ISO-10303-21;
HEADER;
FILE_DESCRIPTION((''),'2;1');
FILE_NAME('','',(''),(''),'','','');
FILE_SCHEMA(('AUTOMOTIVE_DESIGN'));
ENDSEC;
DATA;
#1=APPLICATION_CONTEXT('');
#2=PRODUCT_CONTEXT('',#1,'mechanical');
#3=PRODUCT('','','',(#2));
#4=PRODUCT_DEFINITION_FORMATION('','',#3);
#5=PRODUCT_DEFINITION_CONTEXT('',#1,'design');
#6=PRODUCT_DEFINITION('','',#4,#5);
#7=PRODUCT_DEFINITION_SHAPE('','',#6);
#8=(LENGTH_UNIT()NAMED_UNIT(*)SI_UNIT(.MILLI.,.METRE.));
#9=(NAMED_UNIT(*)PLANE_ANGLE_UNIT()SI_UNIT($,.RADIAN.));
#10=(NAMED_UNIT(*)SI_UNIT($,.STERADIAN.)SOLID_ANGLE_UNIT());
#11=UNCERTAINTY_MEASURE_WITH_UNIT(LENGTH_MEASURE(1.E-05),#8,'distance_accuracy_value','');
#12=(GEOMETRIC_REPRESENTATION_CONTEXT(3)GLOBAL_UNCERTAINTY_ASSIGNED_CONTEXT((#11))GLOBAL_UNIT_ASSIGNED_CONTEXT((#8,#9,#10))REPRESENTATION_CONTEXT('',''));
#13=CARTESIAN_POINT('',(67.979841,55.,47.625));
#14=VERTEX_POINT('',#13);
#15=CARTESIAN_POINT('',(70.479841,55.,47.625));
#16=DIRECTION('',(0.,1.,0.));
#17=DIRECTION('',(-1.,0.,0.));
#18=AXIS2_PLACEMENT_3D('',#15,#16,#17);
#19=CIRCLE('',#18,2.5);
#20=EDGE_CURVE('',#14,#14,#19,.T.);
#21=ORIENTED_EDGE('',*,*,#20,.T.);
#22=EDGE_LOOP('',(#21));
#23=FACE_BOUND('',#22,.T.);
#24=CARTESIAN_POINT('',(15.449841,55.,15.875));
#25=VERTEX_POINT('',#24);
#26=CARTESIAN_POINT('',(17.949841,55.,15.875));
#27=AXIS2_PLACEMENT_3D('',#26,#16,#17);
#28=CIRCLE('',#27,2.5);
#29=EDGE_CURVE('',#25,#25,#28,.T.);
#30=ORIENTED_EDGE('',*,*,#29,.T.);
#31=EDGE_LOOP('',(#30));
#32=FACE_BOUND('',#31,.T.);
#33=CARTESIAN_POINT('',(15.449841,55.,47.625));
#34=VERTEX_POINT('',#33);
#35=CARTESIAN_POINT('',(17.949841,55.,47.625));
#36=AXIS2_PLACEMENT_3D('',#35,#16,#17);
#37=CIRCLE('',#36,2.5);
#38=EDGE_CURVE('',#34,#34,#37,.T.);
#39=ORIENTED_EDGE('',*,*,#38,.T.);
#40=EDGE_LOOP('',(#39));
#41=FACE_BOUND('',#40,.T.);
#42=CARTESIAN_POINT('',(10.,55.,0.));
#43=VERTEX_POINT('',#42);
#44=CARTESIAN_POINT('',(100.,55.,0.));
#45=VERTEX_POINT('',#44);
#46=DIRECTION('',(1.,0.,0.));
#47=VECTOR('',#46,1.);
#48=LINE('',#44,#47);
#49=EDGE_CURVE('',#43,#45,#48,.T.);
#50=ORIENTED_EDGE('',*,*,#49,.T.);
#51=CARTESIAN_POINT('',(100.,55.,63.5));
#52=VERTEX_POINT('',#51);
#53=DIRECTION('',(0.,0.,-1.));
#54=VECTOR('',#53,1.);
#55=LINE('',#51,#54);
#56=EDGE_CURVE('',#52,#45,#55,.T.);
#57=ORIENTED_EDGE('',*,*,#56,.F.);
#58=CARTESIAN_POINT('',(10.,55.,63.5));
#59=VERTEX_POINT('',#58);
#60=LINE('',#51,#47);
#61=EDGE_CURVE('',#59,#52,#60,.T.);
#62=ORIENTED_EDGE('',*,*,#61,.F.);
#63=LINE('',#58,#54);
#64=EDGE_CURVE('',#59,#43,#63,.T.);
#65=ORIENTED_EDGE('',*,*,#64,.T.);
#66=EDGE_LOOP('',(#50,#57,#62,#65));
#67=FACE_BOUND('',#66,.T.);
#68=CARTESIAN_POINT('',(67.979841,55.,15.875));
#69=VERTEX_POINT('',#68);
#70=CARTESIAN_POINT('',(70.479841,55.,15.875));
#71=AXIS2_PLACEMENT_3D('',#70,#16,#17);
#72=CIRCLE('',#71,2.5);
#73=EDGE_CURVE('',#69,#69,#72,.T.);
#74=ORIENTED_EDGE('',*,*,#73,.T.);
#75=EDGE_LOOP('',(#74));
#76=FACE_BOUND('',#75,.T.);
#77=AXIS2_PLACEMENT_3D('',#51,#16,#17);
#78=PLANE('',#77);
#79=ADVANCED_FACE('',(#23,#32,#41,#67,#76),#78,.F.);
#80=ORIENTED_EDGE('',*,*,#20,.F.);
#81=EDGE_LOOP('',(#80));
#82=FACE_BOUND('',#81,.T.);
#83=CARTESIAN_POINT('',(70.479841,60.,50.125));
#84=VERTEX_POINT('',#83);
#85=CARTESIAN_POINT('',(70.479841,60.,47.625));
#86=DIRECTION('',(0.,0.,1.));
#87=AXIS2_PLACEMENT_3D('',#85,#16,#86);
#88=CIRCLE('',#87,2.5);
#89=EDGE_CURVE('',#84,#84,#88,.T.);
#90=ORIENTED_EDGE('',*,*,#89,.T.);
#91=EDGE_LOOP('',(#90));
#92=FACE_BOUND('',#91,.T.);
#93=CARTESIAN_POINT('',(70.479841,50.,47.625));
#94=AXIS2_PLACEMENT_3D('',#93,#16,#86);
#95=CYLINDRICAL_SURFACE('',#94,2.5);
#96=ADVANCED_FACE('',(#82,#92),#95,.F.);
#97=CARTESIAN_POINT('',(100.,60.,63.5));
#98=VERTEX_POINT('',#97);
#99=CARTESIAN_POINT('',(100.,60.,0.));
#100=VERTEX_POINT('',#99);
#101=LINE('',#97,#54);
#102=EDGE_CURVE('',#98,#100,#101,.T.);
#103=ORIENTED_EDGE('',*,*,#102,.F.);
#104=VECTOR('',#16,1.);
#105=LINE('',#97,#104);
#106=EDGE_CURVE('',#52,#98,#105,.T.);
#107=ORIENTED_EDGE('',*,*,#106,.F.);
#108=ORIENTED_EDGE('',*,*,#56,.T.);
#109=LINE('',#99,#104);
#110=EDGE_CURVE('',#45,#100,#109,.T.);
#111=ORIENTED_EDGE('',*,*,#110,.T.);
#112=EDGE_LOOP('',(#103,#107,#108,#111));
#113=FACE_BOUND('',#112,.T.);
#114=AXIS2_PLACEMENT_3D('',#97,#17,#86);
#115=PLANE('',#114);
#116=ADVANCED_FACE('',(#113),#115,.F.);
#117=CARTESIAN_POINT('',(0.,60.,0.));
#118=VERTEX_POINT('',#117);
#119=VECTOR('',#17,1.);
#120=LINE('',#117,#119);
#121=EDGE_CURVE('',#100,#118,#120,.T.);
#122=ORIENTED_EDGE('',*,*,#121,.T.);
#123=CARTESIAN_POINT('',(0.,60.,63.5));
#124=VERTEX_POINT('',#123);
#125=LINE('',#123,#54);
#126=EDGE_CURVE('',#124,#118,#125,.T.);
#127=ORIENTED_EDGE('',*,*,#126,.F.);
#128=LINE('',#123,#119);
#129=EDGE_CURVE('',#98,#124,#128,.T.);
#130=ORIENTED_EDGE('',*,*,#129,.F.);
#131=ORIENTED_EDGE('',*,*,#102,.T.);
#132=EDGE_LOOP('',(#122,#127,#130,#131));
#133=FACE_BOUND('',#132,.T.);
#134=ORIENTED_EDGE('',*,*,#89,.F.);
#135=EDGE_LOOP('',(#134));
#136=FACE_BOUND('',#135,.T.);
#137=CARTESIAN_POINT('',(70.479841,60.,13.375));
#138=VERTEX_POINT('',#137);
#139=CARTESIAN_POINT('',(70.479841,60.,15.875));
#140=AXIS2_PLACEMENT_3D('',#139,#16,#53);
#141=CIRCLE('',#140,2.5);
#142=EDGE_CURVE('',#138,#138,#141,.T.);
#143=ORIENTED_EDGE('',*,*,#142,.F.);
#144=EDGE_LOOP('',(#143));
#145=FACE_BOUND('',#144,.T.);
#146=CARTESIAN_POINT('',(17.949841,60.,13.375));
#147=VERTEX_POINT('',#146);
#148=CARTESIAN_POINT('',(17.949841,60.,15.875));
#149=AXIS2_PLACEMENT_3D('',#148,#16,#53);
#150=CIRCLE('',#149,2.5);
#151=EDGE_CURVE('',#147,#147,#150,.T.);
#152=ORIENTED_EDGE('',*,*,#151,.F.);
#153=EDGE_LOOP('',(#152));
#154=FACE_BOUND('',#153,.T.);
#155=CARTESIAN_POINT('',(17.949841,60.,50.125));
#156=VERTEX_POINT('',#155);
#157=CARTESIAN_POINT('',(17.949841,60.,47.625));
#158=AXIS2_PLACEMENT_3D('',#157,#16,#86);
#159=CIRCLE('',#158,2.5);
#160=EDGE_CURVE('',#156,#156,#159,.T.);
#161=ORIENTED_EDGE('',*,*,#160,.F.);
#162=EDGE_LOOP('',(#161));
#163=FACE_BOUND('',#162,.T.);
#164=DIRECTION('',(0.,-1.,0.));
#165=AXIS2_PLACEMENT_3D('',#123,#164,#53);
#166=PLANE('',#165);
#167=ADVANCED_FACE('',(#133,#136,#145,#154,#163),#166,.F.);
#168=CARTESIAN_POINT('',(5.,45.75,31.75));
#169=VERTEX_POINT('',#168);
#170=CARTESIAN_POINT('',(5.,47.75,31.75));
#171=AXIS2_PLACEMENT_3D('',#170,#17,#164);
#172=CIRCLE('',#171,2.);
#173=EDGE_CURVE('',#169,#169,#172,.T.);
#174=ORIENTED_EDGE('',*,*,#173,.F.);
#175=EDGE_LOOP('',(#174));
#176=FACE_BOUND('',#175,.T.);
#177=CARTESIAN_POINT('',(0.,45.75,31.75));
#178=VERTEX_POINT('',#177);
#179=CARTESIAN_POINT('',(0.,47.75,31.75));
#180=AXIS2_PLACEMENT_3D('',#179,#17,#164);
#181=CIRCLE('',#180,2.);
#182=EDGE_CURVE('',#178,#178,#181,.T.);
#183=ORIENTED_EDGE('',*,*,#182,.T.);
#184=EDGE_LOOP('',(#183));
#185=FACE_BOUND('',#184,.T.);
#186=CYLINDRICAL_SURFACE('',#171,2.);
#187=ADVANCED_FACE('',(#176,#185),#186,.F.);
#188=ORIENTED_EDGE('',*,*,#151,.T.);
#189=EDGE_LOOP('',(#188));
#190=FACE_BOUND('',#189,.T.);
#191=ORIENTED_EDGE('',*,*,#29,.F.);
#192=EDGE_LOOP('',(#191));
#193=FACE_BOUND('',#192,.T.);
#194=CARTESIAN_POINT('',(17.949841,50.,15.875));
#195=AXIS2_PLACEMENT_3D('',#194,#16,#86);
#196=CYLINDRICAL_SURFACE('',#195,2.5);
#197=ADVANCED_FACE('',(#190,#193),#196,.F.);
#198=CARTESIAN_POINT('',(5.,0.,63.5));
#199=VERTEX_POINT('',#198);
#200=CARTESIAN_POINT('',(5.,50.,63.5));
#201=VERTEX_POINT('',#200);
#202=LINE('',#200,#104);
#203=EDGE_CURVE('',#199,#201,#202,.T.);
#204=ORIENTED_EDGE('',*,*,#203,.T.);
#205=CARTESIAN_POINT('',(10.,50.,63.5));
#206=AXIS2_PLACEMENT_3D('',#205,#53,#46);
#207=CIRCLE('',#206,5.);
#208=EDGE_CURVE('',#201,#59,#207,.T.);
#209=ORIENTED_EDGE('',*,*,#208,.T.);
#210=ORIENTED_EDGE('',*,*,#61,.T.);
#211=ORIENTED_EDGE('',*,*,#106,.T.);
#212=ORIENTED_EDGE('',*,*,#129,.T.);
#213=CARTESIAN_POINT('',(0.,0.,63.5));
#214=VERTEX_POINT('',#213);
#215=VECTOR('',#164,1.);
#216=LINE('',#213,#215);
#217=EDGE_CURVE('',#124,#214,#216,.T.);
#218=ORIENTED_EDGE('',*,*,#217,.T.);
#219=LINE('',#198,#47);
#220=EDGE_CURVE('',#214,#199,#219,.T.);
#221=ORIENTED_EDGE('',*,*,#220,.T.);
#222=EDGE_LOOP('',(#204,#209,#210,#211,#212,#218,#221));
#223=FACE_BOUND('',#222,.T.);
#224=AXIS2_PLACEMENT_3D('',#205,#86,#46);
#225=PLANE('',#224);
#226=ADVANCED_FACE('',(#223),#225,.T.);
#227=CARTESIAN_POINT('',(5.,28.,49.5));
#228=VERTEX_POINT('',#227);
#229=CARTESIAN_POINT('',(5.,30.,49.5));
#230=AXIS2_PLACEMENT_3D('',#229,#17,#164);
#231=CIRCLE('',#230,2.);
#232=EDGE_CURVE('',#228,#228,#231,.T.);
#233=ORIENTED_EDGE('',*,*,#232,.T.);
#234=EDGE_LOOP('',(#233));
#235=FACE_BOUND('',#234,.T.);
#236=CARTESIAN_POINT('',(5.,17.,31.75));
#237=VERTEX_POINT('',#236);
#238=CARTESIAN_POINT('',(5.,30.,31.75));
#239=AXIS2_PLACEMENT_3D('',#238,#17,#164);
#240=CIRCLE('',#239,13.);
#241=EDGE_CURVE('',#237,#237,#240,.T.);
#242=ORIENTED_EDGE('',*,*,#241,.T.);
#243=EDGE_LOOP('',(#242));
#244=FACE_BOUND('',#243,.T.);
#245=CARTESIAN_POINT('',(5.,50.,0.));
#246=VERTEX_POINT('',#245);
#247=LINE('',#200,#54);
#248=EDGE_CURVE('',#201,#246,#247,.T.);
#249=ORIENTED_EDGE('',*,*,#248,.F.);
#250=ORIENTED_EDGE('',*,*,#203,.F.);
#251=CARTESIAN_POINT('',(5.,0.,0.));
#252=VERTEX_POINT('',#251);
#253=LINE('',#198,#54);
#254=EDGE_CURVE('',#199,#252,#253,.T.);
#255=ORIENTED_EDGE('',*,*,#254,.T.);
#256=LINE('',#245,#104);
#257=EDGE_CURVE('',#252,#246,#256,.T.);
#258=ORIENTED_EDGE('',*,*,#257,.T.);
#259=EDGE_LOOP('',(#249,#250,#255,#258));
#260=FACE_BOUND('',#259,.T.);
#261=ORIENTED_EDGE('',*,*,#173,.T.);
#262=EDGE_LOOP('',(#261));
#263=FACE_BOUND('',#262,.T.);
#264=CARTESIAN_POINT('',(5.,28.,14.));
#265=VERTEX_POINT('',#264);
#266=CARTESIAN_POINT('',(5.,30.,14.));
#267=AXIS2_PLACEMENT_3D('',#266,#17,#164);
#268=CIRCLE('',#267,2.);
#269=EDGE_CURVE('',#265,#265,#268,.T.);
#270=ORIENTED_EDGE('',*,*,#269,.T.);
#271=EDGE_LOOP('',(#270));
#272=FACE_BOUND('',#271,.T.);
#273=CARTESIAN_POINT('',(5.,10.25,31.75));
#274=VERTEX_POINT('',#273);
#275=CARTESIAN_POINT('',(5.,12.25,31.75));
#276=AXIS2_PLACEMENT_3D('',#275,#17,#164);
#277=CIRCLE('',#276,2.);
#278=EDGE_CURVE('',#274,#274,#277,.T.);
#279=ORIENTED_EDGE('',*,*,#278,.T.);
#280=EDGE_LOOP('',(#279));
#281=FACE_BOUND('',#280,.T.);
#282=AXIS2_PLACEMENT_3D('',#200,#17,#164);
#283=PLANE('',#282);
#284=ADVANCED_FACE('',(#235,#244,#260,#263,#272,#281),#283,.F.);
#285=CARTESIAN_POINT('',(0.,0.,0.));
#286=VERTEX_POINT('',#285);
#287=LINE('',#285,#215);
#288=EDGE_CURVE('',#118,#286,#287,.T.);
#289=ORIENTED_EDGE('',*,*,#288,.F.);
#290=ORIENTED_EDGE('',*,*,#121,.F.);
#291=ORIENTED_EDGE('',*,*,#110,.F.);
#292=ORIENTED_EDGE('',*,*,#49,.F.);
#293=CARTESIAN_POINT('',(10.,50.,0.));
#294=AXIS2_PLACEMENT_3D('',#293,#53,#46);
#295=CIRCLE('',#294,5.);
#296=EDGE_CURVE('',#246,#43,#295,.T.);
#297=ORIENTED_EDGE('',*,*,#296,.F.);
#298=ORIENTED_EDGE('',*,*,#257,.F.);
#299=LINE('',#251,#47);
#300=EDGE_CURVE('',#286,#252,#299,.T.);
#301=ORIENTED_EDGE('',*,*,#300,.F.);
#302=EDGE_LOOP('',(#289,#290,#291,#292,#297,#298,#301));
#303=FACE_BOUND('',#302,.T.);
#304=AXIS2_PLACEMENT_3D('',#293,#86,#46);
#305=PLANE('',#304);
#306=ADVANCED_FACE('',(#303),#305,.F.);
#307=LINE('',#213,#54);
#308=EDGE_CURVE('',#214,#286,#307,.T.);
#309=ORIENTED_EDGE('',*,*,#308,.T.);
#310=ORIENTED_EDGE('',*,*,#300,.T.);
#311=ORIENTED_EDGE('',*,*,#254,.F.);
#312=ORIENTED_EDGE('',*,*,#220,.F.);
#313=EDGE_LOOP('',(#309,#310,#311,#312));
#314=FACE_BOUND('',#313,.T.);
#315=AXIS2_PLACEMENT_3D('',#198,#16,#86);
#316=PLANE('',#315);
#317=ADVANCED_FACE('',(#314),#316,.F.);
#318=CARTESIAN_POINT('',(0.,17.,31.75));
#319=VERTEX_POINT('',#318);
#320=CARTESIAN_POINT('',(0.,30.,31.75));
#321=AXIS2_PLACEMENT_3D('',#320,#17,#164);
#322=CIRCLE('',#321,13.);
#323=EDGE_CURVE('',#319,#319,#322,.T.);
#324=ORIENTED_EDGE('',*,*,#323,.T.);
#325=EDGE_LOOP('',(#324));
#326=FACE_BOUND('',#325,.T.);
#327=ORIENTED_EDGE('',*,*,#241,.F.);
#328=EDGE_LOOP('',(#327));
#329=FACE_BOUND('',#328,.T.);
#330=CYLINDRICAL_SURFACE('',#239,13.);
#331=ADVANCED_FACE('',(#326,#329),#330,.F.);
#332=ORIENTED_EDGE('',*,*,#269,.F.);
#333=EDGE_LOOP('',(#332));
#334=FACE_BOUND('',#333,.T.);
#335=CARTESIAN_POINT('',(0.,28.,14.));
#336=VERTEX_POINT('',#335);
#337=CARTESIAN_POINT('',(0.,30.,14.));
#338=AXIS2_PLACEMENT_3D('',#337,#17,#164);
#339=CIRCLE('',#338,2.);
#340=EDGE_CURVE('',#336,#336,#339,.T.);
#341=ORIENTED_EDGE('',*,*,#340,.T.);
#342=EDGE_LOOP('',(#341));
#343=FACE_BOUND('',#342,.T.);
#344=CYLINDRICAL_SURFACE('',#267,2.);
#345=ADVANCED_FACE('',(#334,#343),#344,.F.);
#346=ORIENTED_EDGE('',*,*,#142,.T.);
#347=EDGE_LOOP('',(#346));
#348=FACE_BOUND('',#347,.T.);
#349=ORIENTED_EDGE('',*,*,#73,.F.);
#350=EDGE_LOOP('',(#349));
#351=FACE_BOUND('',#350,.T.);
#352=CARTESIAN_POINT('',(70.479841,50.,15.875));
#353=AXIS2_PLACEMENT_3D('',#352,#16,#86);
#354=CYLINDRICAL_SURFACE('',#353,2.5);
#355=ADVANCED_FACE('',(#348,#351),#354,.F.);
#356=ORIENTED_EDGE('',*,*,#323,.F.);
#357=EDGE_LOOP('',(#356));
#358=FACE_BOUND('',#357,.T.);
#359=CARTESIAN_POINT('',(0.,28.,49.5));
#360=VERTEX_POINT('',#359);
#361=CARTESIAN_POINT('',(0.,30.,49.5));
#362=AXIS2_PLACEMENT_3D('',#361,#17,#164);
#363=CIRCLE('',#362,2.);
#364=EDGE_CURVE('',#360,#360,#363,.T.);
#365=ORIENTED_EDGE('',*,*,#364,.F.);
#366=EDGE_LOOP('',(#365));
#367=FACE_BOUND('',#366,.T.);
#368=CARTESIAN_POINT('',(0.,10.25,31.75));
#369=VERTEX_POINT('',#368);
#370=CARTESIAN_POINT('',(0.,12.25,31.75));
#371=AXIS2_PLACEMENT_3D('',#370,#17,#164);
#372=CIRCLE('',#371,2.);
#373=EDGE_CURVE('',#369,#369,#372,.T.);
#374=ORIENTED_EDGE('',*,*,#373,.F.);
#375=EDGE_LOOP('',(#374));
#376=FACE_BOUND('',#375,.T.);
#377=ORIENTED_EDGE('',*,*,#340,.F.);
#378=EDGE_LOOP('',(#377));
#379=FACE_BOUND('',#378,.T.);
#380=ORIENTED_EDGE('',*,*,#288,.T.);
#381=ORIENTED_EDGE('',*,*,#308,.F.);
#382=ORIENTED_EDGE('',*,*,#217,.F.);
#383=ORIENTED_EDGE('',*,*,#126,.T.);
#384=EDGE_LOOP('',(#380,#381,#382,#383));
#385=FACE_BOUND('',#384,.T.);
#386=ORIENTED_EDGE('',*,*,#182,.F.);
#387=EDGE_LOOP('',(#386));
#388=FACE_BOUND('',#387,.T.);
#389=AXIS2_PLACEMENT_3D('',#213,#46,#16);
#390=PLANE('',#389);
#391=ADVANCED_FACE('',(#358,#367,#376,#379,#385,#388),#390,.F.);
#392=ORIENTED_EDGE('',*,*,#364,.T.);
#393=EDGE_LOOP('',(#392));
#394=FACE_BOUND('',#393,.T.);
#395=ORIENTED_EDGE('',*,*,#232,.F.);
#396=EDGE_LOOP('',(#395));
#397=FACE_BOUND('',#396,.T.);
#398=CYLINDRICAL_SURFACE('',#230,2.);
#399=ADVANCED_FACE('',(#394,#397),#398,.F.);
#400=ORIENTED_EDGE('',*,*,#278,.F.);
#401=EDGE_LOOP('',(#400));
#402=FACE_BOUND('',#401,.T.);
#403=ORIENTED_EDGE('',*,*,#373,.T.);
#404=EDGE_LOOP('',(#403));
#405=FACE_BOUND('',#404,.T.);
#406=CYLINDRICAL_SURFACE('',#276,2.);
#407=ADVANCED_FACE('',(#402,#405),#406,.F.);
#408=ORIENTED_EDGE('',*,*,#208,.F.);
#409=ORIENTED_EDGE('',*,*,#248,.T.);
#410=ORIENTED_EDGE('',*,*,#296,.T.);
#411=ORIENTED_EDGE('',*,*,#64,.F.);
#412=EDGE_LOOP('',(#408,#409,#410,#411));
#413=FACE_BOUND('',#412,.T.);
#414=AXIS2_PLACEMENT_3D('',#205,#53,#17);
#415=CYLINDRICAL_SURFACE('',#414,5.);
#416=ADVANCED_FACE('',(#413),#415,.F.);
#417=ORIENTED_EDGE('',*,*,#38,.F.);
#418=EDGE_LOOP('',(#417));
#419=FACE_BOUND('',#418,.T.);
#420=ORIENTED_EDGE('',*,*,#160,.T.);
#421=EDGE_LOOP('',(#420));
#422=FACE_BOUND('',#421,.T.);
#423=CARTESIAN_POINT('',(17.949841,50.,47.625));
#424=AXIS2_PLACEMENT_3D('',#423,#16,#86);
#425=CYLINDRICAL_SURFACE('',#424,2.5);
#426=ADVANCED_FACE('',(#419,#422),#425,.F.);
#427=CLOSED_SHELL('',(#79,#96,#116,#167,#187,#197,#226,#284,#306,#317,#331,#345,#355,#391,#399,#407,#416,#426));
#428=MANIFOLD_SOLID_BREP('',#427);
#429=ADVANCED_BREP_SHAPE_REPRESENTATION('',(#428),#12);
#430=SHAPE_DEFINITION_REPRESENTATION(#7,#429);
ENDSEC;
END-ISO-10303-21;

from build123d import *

# Parameters (mm, degrees)
BOSS_EXTRUDE1_DEPTH = 63.5
SKETCH2_R           = 13
SKETCH2_R_2         = 2
CUT_EXTRUDE1_DEPTH  = 5
SKETCH4_R           = 2.5
CUT_EXTRUDE3_DEPTH  = 10


with BuildPart() as part:
    # Sketch1 → Boss-Extrude1 (new body)
    with BuildSketch(Plane.XY):
        with BuildLine():
            Line((0, 0), (0, 60))
            Line((0, 60), (100, 60))
            Line((100, 60), (100, 55))
            Line((100, 55), (10, 55))
            ThreePointArc((10, 55), (6.464466094, 53.535533906), (5, 50))
            Line((5, 50), (5, 0))
            Line((5, 0), (0, 0))
        make_face()
    extrude(amount=BOSS_EXTRUDE1_DEPTH)

    # Sketch2 → Cut-Extrude1 (cut)
    with BuildSketch(Plane.ZY):
        with Locations((31.75, 30)):
            Circle(SKETCH2_R)
        with Locations((49.5, 30)):
            Circle(SKETCH2_R_2)
        with Locations((31.75, 12.25)):
            Circle(SKETCH2_R_2)
        with Locations((14, 30)):
            Circle(SKETCH2_R_2)
        with Locations((31.75, 47.75)):
            Circle(SKETCH2_R_2)
    extrude(amount=-CUT_EXTRUDE1_DEPTH, mode=Mode.SUBTRACT)

    # Sketch4 → Cut-Extrude3 (cut)
    with BuildSketch(Plane(origin=(0, 60, 0), x_dir=(1, 0, 0), z_dir=(0, 1, 0))):
        with Locations((70.47984065, -47.625)):
            Circle(SKETCH4_R)
        with Locations((17.94984065, -47.625)):
            Circle(SKETCH4_R)
        with Locations((17.94984065, -15.875)):
            Circle(SKETCH4_R)
        with Locations((70.47984065, -15.875)):
            Circle(SKETCH4_R)
    extrude(amount=-CUT_EXTRUDE3_DEPTH, mode=Mode.SUBTRACT)


solid = part.part
